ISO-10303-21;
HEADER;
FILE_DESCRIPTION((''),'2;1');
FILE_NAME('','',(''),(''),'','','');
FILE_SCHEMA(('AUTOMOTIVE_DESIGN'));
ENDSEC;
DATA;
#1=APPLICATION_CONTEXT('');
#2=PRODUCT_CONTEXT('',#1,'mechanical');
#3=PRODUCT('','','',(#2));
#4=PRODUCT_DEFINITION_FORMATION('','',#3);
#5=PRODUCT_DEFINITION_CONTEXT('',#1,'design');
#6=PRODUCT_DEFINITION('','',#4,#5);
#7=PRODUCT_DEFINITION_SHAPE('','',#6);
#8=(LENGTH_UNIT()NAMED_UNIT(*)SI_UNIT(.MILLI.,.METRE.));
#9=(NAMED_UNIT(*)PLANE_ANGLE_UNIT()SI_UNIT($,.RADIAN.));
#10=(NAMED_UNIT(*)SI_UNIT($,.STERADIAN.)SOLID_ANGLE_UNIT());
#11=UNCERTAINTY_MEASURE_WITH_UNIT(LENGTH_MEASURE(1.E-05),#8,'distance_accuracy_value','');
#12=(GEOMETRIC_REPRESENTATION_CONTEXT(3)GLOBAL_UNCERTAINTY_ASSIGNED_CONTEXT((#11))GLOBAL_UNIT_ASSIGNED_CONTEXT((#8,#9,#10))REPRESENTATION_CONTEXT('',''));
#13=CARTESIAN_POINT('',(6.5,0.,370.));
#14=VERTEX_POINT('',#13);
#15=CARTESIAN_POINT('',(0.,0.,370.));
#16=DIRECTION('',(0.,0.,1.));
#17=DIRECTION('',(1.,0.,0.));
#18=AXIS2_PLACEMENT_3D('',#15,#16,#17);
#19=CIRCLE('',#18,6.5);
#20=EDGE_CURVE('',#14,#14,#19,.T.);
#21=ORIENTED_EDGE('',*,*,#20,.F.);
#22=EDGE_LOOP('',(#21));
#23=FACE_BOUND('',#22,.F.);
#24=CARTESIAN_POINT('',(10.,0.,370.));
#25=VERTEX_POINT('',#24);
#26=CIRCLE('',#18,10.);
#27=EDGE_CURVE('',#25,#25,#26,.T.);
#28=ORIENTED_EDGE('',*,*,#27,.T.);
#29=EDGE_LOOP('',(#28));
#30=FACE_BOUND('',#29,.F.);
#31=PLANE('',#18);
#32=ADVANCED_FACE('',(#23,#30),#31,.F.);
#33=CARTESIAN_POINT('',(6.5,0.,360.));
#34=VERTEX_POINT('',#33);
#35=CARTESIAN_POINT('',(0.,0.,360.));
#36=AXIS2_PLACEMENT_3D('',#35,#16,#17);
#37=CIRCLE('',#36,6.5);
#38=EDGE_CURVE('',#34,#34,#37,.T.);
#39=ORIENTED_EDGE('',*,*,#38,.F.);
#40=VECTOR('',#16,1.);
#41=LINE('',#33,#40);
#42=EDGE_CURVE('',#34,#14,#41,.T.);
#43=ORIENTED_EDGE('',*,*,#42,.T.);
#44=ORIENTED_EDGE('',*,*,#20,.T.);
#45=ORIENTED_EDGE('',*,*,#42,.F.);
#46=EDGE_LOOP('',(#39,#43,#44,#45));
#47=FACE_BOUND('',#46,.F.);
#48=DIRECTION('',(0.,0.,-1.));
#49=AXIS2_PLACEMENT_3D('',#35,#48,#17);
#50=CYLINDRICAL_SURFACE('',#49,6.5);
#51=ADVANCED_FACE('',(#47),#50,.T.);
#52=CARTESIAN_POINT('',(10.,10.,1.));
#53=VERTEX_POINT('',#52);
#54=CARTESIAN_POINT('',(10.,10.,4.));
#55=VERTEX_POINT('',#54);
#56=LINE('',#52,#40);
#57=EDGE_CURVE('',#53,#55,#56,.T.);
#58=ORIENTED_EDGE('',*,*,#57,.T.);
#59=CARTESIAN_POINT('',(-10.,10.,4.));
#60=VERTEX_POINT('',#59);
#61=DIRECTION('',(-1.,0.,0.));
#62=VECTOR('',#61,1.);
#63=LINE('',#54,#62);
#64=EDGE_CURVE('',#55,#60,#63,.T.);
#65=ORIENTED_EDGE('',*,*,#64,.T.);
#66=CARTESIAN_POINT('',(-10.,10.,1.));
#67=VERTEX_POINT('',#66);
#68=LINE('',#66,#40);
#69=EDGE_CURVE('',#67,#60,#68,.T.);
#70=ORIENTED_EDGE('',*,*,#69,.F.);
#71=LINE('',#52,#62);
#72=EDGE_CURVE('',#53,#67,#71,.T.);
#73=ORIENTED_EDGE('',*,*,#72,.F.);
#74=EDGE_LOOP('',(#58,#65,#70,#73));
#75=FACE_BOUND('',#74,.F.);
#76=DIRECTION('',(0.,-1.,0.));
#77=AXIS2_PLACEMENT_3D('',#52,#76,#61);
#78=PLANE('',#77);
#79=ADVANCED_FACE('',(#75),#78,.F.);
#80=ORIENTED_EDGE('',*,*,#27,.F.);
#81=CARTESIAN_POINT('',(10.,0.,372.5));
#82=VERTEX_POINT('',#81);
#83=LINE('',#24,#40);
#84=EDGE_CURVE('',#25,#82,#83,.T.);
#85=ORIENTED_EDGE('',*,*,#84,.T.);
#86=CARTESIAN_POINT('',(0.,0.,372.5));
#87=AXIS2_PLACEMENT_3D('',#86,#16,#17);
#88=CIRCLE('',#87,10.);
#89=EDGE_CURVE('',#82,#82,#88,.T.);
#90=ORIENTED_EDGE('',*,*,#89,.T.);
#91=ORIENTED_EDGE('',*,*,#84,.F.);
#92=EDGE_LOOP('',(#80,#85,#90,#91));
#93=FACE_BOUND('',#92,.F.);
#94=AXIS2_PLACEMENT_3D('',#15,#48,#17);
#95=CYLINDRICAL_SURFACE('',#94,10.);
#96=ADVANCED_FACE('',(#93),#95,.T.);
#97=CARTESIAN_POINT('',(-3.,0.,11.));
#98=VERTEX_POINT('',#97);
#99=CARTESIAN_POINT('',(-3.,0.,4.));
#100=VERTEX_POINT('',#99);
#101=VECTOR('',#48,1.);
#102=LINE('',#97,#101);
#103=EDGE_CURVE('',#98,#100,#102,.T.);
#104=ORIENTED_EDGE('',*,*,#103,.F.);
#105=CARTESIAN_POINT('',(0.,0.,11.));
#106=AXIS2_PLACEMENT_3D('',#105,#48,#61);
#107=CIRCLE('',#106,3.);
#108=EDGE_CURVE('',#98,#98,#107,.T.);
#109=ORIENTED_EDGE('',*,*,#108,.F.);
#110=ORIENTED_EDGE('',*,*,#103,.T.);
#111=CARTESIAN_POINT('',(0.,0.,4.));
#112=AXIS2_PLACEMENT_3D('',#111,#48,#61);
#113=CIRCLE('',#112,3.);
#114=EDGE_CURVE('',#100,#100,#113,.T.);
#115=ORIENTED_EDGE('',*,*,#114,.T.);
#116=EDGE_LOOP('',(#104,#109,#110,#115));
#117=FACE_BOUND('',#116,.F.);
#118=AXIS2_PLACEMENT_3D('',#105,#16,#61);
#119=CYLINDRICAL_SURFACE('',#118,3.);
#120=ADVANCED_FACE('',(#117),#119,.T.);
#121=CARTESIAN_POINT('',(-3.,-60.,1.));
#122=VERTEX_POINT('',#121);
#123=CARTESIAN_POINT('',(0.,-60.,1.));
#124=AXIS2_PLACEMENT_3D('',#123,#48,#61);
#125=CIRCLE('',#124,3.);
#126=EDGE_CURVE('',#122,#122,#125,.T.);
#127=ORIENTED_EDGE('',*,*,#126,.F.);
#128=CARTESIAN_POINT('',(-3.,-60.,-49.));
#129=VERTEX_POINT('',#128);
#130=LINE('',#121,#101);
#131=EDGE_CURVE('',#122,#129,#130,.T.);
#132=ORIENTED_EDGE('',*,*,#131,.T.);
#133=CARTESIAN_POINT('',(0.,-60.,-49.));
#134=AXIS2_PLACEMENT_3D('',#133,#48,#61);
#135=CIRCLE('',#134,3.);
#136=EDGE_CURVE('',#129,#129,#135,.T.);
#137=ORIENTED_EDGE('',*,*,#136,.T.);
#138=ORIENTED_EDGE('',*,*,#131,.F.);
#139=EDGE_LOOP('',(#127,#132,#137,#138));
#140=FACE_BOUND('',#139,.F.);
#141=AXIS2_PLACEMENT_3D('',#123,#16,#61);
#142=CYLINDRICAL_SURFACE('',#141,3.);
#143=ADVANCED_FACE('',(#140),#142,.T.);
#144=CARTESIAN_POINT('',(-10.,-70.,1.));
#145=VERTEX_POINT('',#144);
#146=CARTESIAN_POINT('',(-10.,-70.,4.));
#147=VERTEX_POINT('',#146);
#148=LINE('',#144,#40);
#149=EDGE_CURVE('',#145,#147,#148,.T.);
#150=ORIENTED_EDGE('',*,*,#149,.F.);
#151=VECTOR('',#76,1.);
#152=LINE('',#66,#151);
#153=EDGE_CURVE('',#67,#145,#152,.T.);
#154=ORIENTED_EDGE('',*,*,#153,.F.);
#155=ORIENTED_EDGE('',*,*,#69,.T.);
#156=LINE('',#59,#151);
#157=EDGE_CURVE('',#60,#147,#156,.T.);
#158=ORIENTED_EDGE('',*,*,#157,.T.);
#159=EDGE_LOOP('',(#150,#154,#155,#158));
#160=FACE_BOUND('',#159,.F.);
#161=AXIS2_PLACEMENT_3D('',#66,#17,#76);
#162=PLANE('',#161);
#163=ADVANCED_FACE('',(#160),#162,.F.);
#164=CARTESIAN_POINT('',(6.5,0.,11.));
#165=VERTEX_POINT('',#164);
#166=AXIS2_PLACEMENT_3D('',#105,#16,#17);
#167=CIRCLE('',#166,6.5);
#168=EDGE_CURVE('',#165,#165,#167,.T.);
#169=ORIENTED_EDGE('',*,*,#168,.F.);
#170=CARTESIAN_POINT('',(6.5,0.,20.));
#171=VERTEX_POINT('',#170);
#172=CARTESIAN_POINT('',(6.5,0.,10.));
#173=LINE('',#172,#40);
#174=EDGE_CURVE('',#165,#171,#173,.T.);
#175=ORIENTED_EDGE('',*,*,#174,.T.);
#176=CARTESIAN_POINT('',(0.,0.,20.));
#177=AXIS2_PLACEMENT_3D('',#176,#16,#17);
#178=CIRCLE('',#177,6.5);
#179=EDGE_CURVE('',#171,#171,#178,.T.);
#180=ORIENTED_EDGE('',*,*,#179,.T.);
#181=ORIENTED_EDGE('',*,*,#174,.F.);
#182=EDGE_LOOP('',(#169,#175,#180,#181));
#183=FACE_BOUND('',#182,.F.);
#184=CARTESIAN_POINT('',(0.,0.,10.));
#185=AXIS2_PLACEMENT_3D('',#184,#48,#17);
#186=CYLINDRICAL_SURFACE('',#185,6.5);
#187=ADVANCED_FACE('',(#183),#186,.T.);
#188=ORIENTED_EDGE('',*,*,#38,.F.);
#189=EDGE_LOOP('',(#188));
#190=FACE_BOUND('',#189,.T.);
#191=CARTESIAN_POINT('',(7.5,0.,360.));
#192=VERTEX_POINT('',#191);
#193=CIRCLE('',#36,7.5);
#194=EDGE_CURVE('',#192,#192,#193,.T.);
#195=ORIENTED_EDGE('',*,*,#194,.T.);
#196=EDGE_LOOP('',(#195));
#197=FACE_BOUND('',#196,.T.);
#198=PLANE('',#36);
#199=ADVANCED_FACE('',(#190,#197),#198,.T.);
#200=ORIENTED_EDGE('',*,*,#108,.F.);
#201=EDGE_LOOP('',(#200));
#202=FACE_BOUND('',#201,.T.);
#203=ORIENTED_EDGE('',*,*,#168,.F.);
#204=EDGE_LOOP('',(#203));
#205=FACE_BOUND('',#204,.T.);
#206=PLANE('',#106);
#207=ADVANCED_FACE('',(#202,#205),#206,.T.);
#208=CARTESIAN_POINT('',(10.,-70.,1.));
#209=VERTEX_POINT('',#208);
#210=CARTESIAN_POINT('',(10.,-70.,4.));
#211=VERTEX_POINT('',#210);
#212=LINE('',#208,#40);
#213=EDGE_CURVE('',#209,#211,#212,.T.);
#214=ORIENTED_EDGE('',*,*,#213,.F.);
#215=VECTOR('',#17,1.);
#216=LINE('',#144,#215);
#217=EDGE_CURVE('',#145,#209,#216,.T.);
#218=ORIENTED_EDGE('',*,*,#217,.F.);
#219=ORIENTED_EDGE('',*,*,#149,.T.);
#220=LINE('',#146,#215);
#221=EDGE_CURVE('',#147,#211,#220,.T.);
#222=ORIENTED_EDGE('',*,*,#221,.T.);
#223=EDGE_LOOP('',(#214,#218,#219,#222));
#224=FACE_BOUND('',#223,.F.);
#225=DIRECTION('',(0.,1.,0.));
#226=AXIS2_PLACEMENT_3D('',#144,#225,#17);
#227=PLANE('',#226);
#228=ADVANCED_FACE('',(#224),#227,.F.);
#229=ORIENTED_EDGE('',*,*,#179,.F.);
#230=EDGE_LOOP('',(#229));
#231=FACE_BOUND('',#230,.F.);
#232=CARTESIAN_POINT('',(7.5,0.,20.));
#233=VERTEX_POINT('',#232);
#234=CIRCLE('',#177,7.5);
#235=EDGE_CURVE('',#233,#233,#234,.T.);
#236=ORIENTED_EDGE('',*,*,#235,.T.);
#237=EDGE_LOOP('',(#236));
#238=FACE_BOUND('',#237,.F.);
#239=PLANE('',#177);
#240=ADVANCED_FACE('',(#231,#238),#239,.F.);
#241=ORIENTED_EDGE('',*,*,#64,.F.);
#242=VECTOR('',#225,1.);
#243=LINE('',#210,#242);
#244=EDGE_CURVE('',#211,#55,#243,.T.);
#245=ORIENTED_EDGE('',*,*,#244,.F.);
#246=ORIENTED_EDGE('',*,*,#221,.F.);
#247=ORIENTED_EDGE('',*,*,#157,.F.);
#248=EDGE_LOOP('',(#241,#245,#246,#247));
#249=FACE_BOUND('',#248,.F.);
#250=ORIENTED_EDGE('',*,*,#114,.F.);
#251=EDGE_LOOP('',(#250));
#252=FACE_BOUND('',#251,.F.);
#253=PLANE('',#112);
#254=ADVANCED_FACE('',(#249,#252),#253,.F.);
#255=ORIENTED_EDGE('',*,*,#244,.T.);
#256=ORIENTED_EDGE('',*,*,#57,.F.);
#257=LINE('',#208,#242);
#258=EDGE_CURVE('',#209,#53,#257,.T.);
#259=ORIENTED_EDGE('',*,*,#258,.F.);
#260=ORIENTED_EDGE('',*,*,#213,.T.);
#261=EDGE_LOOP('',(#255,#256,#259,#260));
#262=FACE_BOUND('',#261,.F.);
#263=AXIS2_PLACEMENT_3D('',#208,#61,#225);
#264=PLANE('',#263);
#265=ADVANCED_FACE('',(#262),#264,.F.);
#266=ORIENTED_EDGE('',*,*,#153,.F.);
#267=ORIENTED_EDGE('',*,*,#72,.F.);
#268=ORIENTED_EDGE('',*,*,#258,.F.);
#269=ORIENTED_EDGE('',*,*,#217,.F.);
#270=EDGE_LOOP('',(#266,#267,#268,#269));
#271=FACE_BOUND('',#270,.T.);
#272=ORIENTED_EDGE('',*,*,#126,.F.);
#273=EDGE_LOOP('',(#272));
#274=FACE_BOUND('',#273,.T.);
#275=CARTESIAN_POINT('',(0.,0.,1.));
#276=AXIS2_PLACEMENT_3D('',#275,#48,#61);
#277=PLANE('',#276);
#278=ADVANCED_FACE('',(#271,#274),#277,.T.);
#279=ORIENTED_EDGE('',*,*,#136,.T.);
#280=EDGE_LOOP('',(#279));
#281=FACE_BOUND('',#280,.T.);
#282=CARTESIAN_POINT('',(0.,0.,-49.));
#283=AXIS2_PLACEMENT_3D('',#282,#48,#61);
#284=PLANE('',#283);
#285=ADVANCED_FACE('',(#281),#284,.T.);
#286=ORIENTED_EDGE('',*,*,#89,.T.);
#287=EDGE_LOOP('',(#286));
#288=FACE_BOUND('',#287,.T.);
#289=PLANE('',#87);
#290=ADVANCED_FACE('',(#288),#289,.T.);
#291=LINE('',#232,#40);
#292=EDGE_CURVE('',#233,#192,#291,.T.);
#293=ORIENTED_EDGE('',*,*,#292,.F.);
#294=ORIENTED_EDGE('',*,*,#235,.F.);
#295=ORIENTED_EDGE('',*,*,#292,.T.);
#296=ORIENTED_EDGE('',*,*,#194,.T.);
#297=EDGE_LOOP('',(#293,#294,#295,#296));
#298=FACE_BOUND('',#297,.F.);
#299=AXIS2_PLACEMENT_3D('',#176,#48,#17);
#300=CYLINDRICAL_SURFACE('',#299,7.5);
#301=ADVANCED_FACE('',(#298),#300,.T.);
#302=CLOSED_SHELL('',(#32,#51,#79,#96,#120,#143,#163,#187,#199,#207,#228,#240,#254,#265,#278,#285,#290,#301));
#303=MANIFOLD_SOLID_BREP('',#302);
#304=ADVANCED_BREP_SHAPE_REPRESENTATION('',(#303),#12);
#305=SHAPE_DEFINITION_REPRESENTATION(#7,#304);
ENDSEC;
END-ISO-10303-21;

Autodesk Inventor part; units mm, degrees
ref_plane "YZ Plane" through (0, 0, 0) normal (1, 0, 0) x (0, 1, 0)
ref_plane "XZ Plane" through (0, 0, 0) normal (0, 1, 0) x (-1, 0, 0)
ref_plane "XY Plane" through (0, 0, 0) normal (0, 0, 1) x (1, 0, 0)
sketch "Sketch1" plane through (0, 0, 0) normal (0, 0, 1) x (1, 0, 0)
  circle A0 centre (0, 0) radius 25
  dimension "d0" = 50
extrude "Extrusion1" add sketch "Sketch1" along normal blind 10
sketch "Sketch2" plane through (0, 0, 10) normal (0, 0, 1) x (1, 0, 0)
  circle A0 centre (0, 0) radius 6.5
  dimension "d3" = 13
extrude "Extrusion2" add sketch "Sketch2" along normal blind 10
fillet "Fillet1" radius 1 1 edges at (-6.5, 0, 10)
sketch "Sketch4" plane through (0, 0, 0) normal (0, 0, -1) x (-1, 0, 0)
  arc A0 (19.3649, 5) -> (5, 19.3649) centre (0, 0) ccw
  line L0 (2.5, 17.4284) -> (2.5, 9.4868)
  line L1 (9.4868, 2.5) -> (17.4284, 2.5)
  arc A1 (5, 19.3649) -> (2.5, 17.4284) centre (4.5, 17.4284) ccw
  arc A2 (17.4284, 2.5) -> (19.3649, 5) centre (17.4284, 4.5) ccw
  arc A3 (2.5, 8.3666) -> (2.5153, 8.1193) centre (4.5, 8.3666) ccw
  arc A4 (8.1193, 2.5153) -> (8.3666, 2.5) centre (8.3666, 4.5) ccw
  arc A5 (7.6798, 3.6429) -> (3.6429, 7.6798) centre (0, 0) ccw
  arc A6 (2.5, 9.4868) -> (3.6429, 7.6798) centre (4.5, 9.4868) ccw
  arc A7 (7.6798, 3.6429) -> (9.4868, 2.5) centre (9.4868, 4.5) ccw
  point P0 (2.5, 19.8431)
  point P1 (19.8431, 2.5)
  point P2 (2.5, 7.0711)
  point P3 (7.0711, 2.5)
extrude "Extrusion3" cut sketch "Sketch4" against normal blind 10
pattern_circular "Circular Pattern1" count 4 over 360 about axis through (0, 0, 11) along (0, 0, -1) of "Extrusion3"
sketch "Sketch7" plane through (0, 0, 20) normal (0, 0, 1) x (1, 0, 0)
  circle A0 centre (0, 0) radius 7.5
  dimension "d38" = 15
extrude "Extrusion5" add sketch "Sketch7" along normal blind 340
sketch "Sketch8" plane through (0, 0, 360) normal (0, 0, 1) x (1, 0, 0)
  circle A0 centre (0, 0) radius 6.5
  dimension "d41" = 13
extrude "Extrusion6" add sketch "Sketch8" along normal blind 10
sketch "Sketch9" plane through (0, 0, 370) normal (0, 0, 1) x (1, 0, 0)
  circle A0 centre (0, 0) radius 10
  dimension "d44" = 20
extrude "Extrusion7" add sketch "Sketch9" along normal blind 2.5
thread "Thread1" size "M15x1.5" class "6g" standard "ANSI Metric M Profile" length 340
sketch "Sketch10" plane through (0, 0, 0) normal (0, 0, -1) x (-1, 0, 0)
  circle A0 centre (0, 0) radius 25
extrude "Extrusion8" cut sketch "Sketch10" against normal blind 11
sketch "Sketch11" plane through (0, 0, 11) normal (0, 0, -1) x (-1, 0, 0)
  circle A0 centre (0, 0) radius 3
  dimension "d51" = 6
extrude "Extrusion9" add sketch "Sketch11" along normal blind 10
sketch "Sketch12" plane through (0, 0, 1) normal (0, 0, -1) x (-1, 0, 0)
  circle A0 centre (0, 0) radius 3 projected
  circle A1 centre (0, 0) radius 3
  line L0 (-10, 10) -> (10, 10)
  line L1 (10, 10) -> (10, -70)
  line L2 (10, -70) -> (-10, -70)
  line L3 (-10, -70) -> (-10, 10)
  dimension "d54" = 20
  dimension "d55" = 80
extrude "Extrusion10" add sketch "Sketch12" against normal blind 3
sketch "Sketch13" plane through (0, 0, 1) normal (0, 0, -1) x (-1, 0, 0)
  line L0 (10, -70) -> (-10, -70) projected
  circle A0 centre (0, -60) radius 3
  point P0 (0, 0)
  dimension "d59" = 6
extrude "Extrusion11" add sketch "Sketch13" along normal blind 50
properties part number "leadscrew_modified" material "Steel, Alloy"
